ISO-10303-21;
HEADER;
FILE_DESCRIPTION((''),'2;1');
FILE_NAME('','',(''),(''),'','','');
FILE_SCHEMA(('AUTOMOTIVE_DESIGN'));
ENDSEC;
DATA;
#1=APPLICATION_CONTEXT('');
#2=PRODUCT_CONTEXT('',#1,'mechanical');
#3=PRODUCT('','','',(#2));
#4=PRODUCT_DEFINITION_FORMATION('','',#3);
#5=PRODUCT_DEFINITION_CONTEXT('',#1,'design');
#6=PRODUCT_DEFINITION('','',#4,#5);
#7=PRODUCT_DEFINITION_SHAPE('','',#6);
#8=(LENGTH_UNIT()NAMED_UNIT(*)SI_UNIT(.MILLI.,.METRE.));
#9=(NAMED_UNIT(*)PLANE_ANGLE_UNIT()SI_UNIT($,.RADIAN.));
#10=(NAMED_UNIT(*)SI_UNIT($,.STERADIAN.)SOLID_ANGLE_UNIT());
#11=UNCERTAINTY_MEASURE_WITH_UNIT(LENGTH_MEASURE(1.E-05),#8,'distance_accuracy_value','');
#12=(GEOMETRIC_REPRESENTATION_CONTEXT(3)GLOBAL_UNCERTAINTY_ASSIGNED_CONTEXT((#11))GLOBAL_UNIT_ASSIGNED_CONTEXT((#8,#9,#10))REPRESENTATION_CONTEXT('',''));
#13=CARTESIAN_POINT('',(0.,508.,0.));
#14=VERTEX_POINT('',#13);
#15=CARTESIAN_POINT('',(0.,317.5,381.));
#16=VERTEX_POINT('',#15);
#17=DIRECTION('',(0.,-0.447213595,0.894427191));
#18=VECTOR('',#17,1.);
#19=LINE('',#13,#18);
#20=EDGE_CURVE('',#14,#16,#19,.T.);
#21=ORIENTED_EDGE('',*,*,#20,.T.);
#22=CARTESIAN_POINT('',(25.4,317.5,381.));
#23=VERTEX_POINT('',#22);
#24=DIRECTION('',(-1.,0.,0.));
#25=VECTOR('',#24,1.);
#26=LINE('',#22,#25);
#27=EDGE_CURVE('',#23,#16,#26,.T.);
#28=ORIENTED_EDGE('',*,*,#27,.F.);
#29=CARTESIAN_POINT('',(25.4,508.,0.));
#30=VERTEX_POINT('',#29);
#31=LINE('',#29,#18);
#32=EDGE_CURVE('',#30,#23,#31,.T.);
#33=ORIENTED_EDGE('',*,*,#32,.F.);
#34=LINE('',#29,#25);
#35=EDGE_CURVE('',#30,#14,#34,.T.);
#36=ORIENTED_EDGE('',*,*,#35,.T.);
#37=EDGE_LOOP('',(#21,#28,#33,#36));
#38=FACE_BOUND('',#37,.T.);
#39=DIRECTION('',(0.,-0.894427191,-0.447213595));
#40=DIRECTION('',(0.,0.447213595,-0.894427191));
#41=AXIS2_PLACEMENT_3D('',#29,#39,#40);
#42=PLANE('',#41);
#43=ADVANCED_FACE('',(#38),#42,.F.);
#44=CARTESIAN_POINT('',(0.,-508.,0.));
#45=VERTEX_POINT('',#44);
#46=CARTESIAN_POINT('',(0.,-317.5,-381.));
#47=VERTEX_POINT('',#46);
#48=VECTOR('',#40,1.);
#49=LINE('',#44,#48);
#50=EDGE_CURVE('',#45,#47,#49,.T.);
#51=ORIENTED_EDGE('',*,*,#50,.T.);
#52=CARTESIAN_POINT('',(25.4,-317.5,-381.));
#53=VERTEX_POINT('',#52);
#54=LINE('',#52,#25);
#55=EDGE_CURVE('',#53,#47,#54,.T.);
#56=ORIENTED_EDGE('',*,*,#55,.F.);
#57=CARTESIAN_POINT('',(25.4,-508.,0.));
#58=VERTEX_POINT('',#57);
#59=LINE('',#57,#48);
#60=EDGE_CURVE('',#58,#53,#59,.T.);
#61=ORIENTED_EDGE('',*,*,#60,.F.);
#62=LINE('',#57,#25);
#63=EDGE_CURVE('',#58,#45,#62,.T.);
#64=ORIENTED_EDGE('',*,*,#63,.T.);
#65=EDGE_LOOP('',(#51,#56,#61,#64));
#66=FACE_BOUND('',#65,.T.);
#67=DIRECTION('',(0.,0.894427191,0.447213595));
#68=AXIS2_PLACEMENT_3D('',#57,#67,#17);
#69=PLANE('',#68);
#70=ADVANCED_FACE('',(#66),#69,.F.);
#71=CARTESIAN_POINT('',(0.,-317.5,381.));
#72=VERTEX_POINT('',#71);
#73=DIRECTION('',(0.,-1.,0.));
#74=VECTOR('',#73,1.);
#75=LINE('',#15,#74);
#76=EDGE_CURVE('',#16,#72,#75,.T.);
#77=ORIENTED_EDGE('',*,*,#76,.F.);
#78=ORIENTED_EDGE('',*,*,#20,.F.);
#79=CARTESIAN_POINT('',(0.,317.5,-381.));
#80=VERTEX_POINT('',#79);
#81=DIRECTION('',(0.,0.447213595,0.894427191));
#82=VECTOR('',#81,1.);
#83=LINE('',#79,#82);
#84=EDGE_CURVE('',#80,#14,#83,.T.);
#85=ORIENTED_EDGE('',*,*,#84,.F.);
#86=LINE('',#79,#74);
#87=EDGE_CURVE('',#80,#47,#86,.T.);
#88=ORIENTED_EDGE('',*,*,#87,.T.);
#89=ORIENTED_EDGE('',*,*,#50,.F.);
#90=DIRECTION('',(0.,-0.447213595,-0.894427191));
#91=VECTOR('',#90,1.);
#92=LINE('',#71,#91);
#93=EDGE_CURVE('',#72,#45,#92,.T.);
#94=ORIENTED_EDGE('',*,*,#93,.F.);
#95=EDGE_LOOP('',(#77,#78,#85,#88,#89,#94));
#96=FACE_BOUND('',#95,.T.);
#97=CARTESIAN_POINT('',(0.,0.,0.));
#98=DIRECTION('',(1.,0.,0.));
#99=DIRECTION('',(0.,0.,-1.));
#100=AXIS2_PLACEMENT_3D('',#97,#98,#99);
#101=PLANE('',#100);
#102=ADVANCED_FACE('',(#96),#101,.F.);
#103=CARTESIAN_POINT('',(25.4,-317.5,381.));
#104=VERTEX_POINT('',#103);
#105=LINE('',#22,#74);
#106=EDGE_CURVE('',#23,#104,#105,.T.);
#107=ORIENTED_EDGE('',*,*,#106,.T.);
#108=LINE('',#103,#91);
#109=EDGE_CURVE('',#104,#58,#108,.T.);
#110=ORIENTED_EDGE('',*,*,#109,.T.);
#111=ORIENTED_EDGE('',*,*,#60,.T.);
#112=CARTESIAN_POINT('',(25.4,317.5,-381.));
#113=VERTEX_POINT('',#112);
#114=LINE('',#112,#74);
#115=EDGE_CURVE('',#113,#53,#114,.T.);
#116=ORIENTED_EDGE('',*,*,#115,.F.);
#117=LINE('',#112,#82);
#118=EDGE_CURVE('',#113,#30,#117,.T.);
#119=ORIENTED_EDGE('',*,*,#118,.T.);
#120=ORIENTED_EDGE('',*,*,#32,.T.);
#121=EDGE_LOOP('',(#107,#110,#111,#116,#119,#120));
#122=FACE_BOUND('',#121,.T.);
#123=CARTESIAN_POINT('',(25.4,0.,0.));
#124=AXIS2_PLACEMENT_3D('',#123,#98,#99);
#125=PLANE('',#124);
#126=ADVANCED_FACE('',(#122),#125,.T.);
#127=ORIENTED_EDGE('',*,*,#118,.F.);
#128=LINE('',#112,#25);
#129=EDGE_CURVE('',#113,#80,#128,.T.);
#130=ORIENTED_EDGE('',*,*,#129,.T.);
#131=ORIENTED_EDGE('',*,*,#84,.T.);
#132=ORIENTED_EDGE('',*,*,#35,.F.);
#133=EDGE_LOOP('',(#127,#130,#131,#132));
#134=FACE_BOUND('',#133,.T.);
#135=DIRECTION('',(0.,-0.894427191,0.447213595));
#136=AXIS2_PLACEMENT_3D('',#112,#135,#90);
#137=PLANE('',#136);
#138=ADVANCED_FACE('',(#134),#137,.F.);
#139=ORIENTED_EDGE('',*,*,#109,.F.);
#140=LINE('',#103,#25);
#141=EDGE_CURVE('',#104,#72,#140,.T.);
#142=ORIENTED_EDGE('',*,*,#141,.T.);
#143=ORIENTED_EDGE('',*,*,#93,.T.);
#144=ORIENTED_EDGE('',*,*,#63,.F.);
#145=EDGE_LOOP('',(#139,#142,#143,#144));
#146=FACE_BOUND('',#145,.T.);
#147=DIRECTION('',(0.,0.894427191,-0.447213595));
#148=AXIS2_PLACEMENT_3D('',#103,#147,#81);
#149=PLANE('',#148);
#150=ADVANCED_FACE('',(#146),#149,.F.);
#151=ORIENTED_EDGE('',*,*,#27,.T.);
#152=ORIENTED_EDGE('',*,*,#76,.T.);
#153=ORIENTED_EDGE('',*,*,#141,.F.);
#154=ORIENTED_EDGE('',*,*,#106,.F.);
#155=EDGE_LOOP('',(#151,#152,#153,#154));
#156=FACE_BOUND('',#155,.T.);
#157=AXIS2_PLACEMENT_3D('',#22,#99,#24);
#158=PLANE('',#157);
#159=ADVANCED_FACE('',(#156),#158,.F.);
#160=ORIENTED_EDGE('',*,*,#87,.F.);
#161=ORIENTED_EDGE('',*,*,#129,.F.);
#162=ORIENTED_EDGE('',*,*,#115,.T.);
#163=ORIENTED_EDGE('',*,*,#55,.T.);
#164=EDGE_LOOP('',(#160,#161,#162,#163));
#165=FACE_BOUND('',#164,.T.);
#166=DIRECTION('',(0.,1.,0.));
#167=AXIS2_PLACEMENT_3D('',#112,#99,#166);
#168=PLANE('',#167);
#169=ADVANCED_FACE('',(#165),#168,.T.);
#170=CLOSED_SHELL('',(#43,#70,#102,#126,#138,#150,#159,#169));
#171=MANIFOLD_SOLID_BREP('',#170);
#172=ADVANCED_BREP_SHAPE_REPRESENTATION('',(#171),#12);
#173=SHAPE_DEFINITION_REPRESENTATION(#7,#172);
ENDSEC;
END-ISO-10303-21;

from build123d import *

# Parameters (mm, degrees)
BOSS_EXTRUDE1_DEPTH = 25.4


with BuildPart() as part:
    # Sketch1 → Boss-Extrude1 (new body)
    with BuildSketch(Plane(origin=(0, 0, 0), x_dir=(0, 0, -1), z_dir=(1, 0, 0))):
        Polygon((-381, 317.5), (-381, -317.5), (0, -508), (381, -317.5), (381, 317.5), (0, 508), align=None)
    extrude(amount=BOSS_EXTRUDE1_DEPTH)


solid = part.part
